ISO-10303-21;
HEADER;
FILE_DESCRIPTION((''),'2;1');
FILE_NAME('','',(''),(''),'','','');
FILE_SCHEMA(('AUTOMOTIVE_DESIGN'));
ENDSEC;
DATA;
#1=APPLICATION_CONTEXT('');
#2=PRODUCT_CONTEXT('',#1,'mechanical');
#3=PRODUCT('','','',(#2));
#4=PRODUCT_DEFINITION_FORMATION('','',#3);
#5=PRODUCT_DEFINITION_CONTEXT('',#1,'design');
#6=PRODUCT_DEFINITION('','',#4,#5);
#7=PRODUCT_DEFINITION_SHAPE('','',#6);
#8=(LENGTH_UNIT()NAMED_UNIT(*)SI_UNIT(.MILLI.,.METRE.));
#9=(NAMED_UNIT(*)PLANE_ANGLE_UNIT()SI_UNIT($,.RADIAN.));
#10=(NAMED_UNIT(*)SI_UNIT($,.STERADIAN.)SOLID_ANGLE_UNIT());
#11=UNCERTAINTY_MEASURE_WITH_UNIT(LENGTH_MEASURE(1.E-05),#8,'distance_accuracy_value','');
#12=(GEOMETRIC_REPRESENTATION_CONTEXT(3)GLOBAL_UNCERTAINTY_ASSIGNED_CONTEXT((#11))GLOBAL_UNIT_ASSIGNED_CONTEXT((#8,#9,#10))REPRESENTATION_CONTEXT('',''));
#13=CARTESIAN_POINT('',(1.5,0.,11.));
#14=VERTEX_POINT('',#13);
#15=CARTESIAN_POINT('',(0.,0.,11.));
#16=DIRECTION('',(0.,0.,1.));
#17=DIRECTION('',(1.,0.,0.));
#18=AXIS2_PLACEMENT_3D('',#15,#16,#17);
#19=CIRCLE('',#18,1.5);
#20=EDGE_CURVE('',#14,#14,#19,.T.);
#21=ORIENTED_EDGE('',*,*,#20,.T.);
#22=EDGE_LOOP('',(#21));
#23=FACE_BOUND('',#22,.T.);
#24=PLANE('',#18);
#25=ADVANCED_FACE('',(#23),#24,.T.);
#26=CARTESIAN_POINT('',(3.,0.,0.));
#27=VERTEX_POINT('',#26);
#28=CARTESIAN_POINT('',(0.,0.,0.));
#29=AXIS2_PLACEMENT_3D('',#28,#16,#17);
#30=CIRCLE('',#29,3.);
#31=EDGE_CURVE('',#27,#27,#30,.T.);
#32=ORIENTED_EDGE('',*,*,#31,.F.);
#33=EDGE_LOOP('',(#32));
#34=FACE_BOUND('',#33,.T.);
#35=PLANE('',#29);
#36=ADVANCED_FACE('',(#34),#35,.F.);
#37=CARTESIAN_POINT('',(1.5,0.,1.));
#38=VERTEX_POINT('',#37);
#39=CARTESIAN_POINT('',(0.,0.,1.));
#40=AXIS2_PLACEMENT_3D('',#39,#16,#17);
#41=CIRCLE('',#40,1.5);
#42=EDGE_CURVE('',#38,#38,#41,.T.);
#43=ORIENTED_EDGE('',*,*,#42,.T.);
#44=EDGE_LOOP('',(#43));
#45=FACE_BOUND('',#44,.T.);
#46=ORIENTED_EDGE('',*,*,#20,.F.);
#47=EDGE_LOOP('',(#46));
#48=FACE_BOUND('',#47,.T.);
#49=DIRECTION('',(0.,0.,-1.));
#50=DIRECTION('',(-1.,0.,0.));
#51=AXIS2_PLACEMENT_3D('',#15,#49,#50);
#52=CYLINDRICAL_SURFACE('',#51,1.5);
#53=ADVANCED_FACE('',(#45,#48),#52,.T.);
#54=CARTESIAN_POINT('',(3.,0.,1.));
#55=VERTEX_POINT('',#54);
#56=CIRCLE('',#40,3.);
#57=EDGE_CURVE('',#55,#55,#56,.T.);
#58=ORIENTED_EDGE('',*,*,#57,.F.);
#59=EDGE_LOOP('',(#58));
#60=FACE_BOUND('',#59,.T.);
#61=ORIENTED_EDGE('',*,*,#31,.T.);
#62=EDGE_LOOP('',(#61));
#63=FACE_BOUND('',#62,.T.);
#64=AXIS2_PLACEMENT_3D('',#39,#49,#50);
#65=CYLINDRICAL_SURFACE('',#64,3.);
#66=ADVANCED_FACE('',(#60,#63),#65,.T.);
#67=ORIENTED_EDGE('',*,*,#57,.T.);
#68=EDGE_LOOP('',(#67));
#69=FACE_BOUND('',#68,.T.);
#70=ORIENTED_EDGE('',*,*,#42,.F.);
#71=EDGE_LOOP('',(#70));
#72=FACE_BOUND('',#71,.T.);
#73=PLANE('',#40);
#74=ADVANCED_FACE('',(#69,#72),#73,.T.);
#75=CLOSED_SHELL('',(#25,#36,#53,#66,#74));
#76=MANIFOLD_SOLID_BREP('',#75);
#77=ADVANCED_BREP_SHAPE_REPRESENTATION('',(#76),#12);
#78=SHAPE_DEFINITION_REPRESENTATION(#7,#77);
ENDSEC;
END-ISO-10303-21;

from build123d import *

# Parameters (mm, degrees)
SKETCH_1_R      = 3
EXTRUDE_1_DEPTH = 1
SKETCH_2_R      = 1.5
EXTRUDE_2_DEPTH = 10


with BuildPart() as part:
    # 草图1 → 凸台-拉伸1 (new body)
    with BuildSketch(Plane.XY):
        Circle(SKETCH_1_R)
    extrude(amount=EXTRUDE_1_DEPTH)

    # 草图2 → 凸台-拉伸2 (add)
    with BuildSketch(Plane.XY.offset(1)):
        Circle(SKETCH_2_R)
    extrude(amount=EXTRUDE_2_DEPTH)


solid = part.part
